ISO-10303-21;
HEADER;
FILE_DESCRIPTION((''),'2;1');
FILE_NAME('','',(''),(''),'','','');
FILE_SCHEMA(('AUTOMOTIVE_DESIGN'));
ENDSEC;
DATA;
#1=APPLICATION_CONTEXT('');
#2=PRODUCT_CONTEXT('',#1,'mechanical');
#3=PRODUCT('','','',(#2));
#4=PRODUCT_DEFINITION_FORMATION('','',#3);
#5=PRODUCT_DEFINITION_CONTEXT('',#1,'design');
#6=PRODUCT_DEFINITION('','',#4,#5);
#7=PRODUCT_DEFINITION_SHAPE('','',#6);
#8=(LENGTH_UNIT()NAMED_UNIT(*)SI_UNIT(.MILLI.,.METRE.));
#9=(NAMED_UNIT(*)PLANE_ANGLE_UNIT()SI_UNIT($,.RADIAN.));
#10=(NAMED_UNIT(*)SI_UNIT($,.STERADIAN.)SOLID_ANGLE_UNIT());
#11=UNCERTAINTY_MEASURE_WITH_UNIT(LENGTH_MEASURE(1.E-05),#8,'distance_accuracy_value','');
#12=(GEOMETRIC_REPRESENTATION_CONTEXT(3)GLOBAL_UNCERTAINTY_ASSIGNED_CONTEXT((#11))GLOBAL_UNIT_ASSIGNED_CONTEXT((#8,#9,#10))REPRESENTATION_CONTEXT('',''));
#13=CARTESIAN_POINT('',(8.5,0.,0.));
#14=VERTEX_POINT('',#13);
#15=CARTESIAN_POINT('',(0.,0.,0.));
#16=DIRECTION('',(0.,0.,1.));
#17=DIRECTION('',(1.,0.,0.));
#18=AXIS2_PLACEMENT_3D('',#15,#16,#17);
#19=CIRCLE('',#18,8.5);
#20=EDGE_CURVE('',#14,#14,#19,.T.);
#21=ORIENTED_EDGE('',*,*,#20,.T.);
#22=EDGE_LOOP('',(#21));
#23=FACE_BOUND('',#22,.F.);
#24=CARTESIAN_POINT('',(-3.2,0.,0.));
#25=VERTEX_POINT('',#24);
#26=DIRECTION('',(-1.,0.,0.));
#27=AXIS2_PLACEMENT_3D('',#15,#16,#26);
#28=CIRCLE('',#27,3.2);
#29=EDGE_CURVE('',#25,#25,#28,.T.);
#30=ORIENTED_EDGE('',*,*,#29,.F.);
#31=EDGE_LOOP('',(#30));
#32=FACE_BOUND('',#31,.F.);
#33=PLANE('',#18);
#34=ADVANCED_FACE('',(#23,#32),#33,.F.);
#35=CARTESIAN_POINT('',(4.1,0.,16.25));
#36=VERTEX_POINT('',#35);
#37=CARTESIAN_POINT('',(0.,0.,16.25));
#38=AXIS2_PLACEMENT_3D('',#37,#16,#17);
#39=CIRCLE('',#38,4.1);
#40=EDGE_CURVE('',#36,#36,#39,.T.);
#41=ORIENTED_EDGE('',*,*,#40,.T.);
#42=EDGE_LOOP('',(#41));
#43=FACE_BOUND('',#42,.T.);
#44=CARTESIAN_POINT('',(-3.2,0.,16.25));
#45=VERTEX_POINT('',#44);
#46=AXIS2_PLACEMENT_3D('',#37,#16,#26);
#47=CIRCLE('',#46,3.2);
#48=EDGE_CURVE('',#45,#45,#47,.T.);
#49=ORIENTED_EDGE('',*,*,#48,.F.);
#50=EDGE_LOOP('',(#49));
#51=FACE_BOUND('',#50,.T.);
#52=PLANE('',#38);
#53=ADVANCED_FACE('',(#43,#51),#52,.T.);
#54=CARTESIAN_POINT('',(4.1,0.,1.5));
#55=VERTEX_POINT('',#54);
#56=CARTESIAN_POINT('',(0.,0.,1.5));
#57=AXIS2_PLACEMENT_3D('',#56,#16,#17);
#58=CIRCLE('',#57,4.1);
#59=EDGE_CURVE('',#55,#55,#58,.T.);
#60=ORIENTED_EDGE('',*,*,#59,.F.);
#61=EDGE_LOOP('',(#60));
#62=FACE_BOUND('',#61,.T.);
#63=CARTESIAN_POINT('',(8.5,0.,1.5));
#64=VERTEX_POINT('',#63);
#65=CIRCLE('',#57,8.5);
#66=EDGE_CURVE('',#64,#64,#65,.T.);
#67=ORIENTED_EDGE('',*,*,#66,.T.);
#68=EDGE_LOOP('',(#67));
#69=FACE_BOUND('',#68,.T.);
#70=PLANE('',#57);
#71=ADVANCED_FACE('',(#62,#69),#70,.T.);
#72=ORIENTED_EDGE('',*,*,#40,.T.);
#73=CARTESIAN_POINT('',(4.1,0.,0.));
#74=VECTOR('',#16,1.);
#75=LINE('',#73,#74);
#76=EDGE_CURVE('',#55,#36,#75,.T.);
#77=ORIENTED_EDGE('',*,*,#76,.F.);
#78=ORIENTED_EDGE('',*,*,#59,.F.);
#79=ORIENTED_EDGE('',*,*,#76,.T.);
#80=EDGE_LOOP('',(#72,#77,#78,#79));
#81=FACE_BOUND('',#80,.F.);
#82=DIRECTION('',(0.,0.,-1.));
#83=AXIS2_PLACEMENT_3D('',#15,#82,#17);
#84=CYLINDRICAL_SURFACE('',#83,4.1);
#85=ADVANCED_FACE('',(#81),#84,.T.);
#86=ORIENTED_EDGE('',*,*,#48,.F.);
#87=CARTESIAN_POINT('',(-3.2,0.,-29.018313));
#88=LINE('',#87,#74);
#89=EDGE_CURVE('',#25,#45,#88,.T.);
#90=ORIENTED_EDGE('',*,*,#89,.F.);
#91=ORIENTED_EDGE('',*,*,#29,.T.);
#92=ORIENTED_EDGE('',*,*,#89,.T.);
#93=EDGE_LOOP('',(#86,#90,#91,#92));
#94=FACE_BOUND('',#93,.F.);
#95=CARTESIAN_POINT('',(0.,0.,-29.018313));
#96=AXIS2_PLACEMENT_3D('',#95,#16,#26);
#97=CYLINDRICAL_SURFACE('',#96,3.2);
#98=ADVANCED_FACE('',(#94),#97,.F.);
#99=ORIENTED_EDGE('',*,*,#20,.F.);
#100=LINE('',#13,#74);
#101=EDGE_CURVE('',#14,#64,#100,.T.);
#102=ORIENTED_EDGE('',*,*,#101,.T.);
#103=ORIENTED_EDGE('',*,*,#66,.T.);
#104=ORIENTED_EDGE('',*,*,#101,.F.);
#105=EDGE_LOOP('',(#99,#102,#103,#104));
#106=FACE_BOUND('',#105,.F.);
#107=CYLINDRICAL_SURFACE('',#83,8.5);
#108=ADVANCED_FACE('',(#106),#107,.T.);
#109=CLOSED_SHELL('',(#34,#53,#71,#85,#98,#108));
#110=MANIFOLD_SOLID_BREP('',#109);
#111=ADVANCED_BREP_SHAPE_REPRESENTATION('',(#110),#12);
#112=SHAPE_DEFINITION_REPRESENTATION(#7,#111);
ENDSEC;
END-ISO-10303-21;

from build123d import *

# Parameters (mm, degrees)
F0_R     = 4.1
F1_DEPTH = 16.25
F0_R_2   = 8.5
F2_DEPTH = 1.5
F4_D     = 6.4


with BuildPart() as f1:
    # F0 (on Top) → F1 (new body)
    with BuildSketch(Plane.XY):
        Circle(F0_R)
    extrude(amount=F1_DEPTH)

    # F0 (on Top) → F2 (join)
    with BuildSketch(Plane.XY):
        Circle(F0_R_2)
        Circle(F0_R, mode=Mode.SUBTRACT)
    extrude(amount=F2_DEPTH)

    # F4 (through all)
    with Locations(Plane(origin=(0, 0, 0), x_dir=(1, 0, 0), z_dir=(0, 0, -1))):
        with Locations((0, 0)):
            Hole(F4_D / 2)


solid = f1.part
